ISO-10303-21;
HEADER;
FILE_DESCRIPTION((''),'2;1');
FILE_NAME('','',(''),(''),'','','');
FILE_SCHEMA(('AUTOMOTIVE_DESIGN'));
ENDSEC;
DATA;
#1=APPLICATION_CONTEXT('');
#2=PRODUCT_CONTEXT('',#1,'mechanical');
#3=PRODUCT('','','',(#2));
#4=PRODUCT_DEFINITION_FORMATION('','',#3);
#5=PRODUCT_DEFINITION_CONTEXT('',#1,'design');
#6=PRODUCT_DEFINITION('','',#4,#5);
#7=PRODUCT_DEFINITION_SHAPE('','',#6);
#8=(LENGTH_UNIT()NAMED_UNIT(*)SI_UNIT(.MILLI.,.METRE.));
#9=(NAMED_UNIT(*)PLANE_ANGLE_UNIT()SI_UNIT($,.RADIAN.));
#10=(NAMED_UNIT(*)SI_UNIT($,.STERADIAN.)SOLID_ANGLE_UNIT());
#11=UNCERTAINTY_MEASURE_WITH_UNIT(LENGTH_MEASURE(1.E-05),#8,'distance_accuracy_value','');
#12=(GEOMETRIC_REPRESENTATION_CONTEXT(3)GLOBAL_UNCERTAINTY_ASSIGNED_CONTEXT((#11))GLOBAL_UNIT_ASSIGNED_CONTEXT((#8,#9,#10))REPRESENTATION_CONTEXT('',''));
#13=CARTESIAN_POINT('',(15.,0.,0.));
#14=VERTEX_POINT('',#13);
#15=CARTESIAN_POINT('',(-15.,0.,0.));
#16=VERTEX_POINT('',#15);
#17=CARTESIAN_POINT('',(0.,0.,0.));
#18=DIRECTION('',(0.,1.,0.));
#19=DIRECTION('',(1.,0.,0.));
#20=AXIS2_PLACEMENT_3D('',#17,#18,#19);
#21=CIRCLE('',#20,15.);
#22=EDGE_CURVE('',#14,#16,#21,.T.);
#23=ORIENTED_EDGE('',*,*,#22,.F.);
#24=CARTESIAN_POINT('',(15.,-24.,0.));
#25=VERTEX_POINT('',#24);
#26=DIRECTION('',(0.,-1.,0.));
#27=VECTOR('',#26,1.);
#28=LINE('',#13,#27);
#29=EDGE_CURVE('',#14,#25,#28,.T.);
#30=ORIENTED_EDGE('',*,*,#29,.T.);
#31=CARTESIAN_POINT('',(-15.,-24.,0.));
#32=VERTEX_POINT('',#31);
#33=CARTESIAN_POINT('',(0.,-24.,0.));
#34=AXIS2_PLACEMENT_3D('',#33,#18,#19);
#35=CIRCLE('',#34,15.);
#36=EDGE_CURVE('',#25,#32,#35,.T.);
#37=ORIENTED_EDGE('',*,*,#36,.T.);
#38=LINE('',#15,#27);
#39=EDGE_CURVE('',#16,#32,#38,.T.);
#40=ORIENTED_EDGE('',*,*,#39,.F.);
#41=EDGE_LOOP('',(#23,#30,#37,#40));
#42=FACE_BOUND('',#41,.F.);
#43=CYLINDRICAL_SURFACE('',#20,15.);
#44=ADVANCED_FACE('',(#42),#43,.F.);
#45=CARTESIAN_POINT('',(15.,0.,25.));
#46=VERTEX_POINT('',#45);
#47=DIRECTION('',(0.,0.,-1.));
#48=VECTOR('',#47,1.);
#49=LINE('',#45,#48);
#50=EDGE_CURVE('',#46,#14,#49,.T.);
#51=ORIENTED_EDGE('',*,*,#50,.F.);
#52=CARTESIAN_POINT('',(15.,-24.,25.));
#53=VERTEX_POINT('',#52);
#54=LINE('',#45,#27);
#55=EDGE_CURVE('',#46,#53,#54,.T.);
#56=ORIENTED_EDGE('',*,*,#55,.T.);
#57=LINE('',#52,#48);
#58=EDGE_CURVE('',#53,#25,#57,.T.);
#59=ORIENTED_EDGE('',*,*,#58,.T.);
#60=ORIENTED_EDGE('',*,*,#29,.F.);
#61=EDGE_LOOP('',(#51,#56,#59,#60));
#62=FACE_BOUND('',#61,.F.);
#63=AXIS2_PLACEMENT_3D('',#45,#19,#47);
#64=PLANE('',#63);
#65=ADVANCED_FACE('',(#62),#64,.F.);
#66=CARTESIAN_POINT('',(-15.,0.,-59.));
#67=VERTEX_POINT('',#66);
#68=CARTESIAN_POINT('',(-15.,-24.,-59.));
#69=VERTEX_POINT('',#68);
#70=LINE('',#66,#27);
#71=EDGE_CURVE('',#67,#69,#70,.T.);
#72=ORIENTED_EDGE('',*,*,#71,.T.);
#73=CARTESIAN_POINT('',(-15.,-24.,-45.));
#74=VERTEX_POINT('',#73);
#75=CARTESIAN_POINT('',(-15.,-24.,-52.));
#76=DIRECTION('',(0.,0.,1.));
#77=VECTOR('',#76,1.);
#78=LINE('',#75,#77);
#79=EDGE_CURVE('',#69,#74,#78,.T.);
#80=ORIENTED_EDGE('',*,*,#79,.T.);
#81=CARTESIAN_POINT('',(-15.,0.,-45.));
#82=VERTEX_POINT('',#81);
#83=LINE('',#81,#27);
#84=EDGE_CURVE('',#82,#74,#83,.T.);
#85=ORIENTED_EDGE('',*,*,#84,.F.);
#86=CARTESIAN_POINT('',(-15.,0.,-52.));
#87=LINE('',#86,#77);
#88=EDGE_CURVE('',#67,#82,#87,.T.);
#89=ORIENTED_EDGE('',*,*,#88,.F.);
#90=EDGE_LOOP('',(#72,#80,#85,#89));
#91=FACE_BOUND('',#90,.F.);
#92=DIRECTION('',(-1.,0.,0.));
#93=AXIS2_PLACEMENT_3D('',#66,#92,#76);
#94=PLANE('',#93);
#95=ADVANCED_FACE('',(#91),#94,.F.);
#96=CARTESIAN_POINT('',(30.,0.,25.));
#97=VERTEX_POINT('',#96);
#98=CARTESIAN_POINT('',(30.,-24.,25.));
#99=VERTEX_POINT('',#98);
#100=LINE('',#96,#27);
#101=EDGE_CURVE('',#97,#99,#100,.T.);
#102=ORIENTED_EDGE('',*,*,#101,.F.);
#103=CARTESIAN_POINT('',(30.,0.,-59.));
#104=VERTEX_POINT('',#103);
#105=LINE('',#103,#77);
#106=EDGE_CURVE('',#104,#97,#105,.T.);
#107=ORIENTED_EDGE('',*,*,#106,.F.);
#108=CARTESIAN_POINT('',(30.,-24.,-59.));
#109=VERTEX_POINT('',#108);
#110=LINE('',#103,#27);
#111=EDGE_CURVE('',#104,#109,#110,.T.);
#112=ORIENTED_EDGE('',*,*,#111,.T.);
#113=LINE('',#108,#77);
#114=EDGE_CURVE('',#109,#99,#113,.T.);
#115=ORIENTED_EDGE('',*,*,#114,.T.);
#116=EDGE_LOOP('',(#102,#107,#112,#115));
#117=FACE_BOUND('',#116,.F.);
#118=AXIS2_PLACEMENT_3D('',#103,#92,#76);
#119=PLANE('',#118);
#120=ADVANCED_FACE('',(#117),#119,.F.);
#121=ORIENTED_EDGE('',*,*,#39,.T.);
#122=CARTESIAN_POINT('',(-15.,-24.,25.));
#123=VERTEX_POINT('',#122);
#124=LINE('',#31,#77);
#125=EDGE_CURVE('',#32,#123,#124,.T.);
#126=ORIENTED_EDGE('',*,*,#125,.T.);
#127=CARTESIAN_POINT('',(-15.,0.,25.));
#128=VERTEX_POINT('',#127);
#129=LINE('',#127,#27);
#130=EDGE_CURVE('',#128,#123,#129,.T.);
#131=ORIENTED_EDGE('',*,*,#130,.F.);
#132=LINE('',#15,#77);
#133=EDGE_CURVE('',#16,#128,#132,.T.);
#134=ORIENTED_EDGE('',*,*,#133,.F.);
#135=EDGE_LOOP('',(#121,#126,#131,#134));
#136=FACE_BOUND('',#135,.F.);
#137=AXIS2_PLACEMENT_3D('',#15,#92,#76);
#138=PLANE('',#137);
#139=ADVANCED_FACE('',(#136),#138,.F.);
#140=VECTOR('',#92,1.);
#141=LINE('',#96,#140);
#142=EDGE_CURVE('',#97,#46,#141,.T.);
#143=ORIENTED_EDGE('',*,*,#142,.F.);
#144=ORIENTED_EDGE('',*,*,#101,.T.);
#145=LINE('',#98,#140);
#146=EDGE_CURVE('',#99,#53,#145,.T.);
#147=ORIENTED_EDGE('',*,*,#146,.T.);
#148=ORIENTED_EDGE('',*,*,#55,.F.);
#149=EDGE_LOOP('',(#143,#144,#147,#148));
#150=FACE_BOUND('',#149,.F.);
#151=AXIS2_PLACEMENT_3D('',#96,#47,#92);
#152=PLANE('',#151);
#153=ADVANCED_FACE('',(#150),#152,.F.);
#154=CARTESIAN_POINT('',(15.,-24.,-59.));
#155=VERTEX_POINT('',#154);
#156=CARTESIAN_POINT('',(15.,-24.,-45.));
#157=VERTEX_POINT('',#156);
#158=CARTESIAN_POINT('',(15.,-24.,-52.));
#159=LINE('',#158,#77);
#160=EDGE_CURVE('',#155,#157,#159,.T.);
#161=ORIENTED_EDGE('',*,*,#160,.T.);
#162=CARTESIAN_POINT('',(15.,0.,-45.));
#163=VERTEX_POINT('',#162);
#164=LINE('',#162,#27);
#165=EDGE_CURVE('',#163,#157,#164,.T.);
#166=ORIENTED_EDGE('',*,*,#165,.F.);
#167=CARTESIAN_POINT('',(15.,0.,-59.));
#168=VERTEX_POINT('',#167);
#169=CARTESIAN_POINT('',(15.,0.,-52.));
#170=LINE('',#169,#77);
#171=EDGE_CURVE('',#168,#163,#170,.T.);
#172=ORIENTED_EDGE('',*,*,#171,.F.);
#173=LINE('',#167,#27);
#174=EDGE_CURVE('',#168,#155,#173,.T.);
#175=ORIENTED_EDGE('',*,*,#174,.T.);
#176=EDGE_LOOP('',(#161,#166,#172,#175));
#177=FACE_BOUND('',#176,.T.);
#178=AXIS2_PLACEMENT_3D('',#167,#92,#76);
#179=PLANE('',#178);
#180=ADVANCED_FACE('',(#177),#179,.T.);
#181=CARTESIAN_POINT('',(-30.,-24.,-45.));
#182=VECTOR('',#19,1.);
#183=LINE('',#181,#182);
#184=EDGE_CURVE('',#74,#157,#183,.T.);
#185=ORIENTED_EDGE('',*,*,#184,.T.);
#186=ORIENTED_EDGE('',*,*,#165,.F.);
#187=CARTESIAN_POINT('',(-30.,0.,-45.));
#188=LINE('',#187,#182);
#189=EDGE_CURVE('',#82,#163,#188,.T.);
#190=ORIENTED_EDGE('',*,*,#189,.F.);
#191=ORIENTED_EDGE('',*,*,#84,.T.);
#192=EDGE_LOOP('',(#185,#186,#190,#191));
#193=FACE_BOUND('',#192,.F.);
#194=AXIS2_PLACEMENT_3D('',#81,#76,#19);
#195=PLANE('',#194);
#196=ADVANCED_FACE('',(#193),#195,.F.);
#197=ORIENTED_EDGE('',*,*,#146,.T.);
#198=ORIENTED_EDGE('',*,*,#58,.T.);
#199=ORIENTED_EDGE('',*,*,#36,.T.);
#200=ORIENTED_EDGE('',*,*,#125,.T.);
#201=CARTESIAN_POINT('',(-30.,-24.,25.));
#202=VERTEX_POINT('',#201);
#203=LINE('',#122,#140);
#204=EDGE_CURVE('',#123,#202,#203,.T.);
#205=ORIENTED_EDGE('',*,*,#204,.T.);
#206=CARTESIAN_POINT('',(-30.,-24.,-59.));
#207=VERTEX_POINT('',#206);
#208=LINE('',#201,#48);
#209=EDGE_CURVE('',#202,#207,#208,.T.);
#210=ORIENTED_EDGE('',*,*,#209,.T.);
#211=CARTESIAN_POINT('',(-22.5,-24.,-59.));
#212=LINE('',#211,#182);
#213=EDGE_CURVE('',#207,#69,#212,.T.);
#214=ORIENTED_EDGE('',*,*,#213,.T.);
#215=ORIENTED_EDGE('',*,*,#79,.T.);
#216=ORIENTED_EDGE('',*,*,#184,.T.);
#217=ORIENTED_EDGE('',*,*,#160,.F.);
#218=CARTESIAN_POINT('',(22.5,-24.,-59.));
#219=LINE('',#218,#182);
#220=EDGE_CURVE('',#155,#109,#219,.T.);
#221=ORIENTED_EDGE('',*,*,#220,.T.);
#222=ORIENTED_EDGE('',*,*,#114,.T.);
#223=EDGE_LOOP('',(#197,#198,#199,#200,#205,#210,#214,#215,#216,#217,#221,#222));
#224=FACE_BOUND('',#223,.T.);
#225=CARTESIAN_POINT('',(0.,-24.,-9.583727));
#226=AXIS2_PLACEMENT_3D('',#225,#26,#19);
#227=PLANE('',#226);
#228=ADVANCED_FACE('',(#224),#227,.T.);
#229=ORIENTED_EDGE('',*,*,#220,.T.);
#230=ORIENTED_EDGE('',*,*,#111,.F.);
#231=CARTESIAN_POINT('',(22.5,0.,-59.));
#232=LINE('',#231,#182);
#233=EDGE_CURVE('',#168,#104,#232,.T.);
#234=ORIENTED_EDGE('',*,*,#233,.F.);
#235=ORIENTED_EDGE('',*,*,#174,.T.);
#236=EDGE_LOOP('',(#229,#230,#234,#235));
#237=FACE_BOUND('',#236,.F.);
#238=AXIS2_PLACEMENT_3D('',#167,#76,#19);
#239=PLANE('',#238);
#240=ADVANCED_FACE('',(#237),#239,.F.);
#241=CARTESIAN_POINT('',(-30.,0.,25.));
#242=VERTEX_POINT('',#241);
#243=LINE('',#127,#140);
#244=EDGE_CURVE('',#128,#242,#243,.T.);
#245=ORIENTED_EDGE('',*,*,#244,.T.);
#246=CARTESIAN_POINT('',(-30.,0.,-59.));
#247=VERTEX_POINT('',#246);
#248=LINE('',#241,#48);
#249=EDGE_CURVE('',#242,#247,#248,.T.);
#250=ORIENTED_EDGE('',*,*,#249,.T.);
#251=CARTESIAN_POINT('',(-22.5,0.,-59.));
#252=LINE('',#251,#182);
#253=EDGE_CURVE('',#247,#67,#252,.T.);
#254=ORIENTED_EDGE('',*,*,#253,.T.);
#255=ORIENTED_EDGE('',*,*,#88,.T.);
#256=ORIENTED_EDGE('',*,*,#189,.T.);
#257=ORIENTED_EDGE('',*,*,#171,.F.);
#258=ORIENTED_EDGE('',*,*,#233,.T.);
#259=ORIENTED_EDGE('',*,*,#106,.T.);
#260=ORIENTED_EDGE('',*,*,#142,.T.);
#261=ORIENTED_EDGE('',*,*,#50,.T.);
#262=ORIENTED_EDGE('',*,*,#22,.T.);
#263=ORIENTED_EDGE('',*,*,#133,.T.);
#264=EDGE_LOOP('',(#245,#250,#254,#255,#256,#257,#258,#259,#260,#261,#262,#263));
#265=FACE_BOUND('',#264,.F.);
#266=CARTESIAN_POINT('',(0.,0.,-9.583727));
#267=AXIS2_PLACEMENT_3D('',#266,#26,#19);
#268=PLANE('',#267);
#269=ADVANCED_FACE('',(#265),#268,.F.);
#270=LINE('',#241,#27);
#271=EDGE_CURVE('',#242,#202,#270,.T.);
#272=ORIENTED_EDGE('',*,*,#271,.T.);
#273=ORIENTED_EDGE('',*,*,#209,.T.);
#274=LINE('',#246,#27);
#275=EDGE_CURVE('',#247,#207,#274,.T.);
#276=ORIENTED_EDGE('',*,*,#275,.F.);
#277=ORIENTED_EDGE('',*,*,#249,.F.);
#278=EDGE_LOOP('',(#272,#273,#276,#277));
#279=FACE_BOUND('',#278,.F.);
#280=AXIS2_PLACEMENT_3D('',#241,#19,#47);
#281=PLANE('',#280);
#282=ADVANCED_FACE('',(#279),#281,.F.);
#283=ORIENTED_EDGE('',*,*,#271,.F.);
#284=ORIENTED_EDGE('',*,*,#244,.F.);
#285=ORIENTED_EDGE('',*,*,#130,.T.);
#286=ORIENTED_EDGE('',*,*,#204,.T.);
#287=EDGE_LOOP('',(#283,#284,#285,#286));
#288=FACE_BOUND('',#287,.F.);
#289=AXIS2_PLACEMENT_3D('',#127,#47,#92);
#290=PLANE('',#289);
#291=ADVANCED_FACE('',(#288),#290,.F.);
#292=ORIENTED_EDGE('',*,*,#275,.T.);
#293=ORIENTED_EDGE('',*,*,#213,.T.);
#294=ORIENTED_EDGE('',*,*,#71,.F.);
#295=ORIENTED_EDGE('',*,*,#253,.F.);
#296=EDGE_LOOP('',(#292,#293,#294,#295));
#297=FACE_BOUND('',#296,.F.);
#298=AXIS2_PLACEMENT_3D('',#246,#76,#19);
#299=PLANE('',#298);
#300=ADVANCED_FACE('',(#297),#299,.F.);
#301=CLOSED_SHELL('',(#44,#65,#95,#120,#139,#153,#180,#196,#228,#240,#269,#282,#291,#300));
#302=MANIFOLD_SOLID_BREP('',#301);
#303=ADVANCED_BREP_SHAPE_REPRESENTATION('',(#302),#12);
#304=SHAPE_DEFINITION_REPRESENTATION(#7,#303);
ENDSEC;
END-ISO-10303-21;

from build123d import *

# Parameters (mm, degrees)
F0_W     = 15
F0_H     = 14
F1_DEPTH = 24


with BuildPart() as f1:
    # F0 (on Front) → F1 (new body)
    with BuildSketch(Plane.XZ):
        with BuildLine():
            Line((-30, 25), (-30, -45))
            Line((-30, -45), (-15, -45))
            Line((-15, -45), (15, -45))
            Line((15, -45), (30, -45))
            Line((30, -45), (30, 25))
            Line((30, 25), (15, 25))
            Line((15, 25), (15, 0))
            ThreePointArc((15, 0), (0, -15), (-15, 0))
            Line((-15, 0), (-15, 25))
            Line((-15, 25), (-30, 25))
        make_face()
        with Locations((22.5, -52)):
            Rectangle(F0_W, F0_H)
        with Locations((-22.5, -52)):
            Rectangle(F0_W, F0_H)
    extrude(amount=F1_DEPTH)


solid = f1.part
